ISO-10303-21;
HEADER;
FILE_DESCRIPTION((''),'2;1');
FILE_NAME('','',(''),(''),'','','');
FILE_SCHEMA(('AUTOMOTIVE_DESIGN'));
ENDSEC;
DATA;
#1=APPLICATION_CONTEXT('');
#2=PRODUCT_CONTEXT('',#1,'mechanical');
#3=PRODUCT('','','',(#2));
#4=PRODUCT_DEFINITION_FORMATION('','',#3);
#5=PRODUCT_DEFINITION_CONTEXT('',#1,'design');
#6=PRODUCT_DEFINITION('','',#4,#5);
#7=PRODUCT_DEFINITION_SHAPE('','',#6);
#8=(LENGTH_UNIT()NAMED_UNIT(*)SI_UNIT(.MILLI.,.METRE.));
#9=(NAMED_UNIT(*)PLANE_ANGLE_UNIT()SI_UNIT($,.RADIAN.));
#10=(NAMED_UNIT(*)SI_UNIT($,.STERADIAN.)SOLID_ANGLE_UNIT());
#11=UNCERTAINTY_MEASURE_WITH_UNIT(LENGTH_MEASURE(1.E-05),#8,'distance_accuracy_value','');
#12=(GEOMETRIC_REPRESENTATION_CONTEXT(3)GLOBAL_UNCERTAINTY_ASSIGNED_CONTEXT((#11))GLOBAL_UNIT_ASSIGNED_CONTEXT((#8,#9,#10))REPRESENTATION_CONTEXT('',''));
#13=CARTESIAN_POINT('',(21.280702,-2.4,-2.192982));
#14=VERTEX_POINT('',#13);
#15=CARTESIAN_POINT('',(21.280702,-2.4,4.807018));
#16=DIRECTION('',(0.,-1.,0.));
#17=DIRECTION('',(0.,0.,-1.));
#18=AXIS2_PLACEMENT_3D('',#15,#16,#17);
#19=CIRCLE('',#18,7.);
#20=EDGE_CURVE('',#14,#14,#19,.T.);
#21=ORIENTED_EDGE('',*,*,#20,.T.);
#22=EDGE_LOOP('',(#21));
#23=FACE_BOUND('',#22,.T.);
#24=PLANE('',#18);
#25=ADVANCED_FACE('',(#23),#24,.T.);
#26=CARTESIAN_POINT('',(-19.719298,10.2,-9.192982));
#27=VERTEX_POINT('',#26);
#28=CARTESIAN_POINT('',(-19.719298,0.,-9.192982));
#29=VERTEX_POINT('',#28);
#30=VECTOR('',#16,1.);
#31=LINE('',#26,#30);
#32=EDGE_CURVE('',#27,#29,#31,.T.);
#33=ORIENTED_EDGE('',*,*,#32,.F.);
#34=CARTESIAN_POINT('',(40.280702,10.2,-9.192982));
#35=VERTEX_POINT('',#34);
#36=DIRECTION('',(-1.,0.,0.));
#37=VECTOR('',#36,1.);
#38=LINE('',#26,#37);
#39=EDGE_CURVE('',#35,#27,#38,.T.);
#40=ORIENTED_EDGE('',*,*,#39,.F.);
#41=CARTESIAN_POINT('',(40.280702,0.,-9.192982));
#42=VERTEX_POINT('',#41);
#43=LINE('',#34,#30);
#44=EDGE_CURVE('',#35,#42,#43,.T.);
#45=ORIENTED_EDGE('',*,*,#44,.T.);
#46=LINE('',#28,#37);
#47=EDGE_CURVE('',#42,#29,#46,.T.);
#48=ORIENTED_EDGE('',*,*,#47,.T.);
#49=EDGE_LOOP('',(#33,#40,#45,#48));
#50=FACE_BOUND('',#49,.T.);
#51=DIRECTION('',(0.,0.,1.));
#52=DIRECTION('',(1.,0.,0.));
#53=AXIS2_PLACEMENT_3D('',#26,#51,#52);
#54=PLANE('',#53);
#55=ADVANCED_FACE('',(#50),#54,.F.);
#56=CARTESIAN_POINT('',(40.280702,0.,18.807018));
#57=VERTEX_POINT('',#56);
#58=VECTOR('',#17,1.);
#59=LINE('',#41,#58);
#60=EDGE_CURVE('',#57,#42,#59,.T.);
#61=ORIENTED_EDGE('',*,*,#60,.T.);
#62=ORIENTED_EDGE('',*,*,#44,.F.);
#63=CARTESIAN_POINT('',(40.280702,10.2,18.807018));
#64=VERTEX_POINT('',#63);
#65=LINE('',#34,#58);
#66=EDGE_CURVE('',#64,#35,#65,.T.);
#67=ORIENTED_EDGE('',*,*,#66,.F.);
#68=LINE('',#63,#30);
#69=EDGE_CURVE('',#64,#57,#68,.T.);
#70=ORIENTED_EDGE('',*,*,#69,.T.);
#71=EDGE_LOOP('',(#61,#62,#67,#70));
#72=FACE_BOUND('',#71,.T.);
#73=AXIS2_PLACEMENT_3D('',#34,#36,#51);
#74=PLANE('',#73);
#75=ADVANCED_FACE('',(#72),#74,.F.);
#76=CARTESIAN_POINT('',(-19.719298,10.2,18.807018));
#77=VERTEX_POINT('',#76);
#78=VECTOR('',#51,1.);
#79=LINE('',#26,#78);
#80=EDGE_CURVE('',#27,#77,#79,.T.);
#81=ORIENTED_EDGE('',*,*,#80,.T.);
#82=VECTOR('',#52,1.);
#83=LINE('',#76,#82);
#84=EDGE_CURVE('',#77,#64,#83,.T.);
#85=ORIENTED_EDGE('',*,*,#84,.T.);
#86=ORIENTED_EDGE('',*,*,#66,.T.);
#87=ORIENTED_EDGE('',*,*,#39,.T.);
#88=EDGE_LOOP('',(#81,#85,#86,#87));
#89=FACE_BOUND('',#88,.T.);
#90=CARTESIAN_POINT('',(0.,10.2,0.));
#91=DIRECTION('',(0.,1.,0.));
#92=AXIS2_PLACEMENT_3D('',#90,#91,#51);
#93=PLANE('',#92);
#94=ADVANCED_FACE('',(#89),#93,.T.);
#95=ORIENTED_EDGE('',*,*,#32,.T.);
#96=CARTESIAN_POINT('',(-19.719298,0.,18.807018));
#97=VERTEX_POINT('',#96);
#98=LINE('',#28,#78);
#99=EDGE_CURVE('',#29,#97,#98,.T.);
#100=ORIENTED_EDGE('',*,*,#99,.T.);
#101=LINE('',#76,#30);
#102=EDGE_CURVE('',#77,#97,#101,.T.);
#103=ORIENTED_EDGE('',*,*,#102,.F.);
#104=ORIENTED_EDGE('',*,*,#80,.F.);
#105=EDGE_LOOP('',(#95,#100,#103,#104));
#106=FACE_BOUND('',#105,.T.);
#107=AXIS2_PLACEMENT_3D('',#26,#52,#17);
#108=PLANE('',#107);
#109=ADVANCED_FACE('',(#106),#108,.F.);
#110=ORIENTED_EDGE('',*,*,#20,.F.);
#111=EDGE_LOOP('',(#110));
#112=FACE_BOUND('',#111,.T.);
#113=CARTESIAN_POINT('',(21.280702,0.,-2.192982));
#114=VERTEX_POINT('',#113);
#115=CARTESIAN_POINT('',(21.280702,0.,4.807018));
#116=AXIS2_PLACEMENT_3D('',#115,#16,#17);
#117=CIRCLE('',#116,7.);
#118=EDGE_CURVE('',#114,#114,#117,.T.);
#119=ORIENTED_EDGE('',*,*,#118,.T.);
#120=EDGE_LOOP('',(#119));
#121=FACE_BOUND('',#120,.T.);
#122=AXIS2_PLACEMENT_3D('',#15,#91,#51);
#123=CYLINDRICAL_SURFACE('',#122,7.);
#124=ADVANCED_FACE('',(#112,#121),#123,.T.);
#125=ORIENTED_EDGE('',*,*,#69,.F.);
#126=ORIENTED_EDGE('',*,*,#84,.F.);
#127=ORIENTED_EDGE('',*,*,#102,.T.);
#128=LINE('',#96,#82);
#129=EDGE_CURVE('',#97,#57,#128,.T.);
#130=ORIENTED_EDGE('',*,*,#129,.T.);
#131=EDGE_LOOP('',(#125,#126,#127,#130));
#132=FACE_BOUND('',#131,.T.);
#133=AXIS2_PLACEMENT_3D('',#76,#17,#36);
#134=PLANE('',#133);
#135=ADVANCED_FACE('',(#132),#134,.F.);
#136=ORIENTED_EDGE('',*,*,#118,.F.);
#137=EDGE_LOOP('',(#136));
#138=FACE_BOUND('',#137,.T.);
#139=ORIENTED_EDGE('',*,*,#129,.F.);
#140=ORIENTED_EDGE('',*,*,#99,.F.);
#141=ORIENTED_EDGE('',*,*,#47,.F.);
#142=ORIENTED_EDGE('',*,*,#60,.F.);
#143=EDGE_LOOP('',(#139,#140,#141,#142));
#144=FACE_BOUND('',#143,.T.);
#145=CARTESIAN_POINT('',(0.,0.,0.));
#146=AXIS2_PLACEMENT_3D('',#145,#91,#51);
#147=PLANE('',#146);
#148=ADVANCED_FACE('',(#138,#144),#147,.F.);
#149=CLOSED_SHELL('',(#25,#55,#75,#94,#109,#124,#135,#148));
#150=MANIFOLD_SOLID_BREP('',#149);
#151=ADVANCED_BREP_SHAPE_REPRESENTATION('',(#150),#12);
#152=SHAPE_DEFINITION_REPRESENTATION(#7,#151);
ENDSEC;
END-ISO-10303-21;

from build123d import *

# Parameters (mm, degrees)
SKETCH_2_W      = 60
SKETCH_2_H      = 28
EXTRUDE_1_DEPTH = 10.2
SKETCH_3_R      = 7
EXTRUDE_2_DEPTH = 2.4


with BuildPart() as part:
    # 草图2 → 凸台-拉伸1 (new body)
    with BuildSketch(Plane(origin=(0, 0, 0), x_dir=(1, 0, 0), z_dir=(0, 1, 0))):
        with Locations((10.280701754, -4.807017544)):
            Rectangle(SKETCH_2_W, SKETCH_2_H)
    extrude(amount=EXTRUDE_1_DEPTH)

    # 草图3 → 凸台-拉伸2 (add)
    with BuildSketch(Plane.XZ):
        with Locations((21.280701754, 4.807017544)):
            Circle(SKETCH_3_R)
    extrude(amount=EXTRUDE_2_DEPTH)


solid = part.part
